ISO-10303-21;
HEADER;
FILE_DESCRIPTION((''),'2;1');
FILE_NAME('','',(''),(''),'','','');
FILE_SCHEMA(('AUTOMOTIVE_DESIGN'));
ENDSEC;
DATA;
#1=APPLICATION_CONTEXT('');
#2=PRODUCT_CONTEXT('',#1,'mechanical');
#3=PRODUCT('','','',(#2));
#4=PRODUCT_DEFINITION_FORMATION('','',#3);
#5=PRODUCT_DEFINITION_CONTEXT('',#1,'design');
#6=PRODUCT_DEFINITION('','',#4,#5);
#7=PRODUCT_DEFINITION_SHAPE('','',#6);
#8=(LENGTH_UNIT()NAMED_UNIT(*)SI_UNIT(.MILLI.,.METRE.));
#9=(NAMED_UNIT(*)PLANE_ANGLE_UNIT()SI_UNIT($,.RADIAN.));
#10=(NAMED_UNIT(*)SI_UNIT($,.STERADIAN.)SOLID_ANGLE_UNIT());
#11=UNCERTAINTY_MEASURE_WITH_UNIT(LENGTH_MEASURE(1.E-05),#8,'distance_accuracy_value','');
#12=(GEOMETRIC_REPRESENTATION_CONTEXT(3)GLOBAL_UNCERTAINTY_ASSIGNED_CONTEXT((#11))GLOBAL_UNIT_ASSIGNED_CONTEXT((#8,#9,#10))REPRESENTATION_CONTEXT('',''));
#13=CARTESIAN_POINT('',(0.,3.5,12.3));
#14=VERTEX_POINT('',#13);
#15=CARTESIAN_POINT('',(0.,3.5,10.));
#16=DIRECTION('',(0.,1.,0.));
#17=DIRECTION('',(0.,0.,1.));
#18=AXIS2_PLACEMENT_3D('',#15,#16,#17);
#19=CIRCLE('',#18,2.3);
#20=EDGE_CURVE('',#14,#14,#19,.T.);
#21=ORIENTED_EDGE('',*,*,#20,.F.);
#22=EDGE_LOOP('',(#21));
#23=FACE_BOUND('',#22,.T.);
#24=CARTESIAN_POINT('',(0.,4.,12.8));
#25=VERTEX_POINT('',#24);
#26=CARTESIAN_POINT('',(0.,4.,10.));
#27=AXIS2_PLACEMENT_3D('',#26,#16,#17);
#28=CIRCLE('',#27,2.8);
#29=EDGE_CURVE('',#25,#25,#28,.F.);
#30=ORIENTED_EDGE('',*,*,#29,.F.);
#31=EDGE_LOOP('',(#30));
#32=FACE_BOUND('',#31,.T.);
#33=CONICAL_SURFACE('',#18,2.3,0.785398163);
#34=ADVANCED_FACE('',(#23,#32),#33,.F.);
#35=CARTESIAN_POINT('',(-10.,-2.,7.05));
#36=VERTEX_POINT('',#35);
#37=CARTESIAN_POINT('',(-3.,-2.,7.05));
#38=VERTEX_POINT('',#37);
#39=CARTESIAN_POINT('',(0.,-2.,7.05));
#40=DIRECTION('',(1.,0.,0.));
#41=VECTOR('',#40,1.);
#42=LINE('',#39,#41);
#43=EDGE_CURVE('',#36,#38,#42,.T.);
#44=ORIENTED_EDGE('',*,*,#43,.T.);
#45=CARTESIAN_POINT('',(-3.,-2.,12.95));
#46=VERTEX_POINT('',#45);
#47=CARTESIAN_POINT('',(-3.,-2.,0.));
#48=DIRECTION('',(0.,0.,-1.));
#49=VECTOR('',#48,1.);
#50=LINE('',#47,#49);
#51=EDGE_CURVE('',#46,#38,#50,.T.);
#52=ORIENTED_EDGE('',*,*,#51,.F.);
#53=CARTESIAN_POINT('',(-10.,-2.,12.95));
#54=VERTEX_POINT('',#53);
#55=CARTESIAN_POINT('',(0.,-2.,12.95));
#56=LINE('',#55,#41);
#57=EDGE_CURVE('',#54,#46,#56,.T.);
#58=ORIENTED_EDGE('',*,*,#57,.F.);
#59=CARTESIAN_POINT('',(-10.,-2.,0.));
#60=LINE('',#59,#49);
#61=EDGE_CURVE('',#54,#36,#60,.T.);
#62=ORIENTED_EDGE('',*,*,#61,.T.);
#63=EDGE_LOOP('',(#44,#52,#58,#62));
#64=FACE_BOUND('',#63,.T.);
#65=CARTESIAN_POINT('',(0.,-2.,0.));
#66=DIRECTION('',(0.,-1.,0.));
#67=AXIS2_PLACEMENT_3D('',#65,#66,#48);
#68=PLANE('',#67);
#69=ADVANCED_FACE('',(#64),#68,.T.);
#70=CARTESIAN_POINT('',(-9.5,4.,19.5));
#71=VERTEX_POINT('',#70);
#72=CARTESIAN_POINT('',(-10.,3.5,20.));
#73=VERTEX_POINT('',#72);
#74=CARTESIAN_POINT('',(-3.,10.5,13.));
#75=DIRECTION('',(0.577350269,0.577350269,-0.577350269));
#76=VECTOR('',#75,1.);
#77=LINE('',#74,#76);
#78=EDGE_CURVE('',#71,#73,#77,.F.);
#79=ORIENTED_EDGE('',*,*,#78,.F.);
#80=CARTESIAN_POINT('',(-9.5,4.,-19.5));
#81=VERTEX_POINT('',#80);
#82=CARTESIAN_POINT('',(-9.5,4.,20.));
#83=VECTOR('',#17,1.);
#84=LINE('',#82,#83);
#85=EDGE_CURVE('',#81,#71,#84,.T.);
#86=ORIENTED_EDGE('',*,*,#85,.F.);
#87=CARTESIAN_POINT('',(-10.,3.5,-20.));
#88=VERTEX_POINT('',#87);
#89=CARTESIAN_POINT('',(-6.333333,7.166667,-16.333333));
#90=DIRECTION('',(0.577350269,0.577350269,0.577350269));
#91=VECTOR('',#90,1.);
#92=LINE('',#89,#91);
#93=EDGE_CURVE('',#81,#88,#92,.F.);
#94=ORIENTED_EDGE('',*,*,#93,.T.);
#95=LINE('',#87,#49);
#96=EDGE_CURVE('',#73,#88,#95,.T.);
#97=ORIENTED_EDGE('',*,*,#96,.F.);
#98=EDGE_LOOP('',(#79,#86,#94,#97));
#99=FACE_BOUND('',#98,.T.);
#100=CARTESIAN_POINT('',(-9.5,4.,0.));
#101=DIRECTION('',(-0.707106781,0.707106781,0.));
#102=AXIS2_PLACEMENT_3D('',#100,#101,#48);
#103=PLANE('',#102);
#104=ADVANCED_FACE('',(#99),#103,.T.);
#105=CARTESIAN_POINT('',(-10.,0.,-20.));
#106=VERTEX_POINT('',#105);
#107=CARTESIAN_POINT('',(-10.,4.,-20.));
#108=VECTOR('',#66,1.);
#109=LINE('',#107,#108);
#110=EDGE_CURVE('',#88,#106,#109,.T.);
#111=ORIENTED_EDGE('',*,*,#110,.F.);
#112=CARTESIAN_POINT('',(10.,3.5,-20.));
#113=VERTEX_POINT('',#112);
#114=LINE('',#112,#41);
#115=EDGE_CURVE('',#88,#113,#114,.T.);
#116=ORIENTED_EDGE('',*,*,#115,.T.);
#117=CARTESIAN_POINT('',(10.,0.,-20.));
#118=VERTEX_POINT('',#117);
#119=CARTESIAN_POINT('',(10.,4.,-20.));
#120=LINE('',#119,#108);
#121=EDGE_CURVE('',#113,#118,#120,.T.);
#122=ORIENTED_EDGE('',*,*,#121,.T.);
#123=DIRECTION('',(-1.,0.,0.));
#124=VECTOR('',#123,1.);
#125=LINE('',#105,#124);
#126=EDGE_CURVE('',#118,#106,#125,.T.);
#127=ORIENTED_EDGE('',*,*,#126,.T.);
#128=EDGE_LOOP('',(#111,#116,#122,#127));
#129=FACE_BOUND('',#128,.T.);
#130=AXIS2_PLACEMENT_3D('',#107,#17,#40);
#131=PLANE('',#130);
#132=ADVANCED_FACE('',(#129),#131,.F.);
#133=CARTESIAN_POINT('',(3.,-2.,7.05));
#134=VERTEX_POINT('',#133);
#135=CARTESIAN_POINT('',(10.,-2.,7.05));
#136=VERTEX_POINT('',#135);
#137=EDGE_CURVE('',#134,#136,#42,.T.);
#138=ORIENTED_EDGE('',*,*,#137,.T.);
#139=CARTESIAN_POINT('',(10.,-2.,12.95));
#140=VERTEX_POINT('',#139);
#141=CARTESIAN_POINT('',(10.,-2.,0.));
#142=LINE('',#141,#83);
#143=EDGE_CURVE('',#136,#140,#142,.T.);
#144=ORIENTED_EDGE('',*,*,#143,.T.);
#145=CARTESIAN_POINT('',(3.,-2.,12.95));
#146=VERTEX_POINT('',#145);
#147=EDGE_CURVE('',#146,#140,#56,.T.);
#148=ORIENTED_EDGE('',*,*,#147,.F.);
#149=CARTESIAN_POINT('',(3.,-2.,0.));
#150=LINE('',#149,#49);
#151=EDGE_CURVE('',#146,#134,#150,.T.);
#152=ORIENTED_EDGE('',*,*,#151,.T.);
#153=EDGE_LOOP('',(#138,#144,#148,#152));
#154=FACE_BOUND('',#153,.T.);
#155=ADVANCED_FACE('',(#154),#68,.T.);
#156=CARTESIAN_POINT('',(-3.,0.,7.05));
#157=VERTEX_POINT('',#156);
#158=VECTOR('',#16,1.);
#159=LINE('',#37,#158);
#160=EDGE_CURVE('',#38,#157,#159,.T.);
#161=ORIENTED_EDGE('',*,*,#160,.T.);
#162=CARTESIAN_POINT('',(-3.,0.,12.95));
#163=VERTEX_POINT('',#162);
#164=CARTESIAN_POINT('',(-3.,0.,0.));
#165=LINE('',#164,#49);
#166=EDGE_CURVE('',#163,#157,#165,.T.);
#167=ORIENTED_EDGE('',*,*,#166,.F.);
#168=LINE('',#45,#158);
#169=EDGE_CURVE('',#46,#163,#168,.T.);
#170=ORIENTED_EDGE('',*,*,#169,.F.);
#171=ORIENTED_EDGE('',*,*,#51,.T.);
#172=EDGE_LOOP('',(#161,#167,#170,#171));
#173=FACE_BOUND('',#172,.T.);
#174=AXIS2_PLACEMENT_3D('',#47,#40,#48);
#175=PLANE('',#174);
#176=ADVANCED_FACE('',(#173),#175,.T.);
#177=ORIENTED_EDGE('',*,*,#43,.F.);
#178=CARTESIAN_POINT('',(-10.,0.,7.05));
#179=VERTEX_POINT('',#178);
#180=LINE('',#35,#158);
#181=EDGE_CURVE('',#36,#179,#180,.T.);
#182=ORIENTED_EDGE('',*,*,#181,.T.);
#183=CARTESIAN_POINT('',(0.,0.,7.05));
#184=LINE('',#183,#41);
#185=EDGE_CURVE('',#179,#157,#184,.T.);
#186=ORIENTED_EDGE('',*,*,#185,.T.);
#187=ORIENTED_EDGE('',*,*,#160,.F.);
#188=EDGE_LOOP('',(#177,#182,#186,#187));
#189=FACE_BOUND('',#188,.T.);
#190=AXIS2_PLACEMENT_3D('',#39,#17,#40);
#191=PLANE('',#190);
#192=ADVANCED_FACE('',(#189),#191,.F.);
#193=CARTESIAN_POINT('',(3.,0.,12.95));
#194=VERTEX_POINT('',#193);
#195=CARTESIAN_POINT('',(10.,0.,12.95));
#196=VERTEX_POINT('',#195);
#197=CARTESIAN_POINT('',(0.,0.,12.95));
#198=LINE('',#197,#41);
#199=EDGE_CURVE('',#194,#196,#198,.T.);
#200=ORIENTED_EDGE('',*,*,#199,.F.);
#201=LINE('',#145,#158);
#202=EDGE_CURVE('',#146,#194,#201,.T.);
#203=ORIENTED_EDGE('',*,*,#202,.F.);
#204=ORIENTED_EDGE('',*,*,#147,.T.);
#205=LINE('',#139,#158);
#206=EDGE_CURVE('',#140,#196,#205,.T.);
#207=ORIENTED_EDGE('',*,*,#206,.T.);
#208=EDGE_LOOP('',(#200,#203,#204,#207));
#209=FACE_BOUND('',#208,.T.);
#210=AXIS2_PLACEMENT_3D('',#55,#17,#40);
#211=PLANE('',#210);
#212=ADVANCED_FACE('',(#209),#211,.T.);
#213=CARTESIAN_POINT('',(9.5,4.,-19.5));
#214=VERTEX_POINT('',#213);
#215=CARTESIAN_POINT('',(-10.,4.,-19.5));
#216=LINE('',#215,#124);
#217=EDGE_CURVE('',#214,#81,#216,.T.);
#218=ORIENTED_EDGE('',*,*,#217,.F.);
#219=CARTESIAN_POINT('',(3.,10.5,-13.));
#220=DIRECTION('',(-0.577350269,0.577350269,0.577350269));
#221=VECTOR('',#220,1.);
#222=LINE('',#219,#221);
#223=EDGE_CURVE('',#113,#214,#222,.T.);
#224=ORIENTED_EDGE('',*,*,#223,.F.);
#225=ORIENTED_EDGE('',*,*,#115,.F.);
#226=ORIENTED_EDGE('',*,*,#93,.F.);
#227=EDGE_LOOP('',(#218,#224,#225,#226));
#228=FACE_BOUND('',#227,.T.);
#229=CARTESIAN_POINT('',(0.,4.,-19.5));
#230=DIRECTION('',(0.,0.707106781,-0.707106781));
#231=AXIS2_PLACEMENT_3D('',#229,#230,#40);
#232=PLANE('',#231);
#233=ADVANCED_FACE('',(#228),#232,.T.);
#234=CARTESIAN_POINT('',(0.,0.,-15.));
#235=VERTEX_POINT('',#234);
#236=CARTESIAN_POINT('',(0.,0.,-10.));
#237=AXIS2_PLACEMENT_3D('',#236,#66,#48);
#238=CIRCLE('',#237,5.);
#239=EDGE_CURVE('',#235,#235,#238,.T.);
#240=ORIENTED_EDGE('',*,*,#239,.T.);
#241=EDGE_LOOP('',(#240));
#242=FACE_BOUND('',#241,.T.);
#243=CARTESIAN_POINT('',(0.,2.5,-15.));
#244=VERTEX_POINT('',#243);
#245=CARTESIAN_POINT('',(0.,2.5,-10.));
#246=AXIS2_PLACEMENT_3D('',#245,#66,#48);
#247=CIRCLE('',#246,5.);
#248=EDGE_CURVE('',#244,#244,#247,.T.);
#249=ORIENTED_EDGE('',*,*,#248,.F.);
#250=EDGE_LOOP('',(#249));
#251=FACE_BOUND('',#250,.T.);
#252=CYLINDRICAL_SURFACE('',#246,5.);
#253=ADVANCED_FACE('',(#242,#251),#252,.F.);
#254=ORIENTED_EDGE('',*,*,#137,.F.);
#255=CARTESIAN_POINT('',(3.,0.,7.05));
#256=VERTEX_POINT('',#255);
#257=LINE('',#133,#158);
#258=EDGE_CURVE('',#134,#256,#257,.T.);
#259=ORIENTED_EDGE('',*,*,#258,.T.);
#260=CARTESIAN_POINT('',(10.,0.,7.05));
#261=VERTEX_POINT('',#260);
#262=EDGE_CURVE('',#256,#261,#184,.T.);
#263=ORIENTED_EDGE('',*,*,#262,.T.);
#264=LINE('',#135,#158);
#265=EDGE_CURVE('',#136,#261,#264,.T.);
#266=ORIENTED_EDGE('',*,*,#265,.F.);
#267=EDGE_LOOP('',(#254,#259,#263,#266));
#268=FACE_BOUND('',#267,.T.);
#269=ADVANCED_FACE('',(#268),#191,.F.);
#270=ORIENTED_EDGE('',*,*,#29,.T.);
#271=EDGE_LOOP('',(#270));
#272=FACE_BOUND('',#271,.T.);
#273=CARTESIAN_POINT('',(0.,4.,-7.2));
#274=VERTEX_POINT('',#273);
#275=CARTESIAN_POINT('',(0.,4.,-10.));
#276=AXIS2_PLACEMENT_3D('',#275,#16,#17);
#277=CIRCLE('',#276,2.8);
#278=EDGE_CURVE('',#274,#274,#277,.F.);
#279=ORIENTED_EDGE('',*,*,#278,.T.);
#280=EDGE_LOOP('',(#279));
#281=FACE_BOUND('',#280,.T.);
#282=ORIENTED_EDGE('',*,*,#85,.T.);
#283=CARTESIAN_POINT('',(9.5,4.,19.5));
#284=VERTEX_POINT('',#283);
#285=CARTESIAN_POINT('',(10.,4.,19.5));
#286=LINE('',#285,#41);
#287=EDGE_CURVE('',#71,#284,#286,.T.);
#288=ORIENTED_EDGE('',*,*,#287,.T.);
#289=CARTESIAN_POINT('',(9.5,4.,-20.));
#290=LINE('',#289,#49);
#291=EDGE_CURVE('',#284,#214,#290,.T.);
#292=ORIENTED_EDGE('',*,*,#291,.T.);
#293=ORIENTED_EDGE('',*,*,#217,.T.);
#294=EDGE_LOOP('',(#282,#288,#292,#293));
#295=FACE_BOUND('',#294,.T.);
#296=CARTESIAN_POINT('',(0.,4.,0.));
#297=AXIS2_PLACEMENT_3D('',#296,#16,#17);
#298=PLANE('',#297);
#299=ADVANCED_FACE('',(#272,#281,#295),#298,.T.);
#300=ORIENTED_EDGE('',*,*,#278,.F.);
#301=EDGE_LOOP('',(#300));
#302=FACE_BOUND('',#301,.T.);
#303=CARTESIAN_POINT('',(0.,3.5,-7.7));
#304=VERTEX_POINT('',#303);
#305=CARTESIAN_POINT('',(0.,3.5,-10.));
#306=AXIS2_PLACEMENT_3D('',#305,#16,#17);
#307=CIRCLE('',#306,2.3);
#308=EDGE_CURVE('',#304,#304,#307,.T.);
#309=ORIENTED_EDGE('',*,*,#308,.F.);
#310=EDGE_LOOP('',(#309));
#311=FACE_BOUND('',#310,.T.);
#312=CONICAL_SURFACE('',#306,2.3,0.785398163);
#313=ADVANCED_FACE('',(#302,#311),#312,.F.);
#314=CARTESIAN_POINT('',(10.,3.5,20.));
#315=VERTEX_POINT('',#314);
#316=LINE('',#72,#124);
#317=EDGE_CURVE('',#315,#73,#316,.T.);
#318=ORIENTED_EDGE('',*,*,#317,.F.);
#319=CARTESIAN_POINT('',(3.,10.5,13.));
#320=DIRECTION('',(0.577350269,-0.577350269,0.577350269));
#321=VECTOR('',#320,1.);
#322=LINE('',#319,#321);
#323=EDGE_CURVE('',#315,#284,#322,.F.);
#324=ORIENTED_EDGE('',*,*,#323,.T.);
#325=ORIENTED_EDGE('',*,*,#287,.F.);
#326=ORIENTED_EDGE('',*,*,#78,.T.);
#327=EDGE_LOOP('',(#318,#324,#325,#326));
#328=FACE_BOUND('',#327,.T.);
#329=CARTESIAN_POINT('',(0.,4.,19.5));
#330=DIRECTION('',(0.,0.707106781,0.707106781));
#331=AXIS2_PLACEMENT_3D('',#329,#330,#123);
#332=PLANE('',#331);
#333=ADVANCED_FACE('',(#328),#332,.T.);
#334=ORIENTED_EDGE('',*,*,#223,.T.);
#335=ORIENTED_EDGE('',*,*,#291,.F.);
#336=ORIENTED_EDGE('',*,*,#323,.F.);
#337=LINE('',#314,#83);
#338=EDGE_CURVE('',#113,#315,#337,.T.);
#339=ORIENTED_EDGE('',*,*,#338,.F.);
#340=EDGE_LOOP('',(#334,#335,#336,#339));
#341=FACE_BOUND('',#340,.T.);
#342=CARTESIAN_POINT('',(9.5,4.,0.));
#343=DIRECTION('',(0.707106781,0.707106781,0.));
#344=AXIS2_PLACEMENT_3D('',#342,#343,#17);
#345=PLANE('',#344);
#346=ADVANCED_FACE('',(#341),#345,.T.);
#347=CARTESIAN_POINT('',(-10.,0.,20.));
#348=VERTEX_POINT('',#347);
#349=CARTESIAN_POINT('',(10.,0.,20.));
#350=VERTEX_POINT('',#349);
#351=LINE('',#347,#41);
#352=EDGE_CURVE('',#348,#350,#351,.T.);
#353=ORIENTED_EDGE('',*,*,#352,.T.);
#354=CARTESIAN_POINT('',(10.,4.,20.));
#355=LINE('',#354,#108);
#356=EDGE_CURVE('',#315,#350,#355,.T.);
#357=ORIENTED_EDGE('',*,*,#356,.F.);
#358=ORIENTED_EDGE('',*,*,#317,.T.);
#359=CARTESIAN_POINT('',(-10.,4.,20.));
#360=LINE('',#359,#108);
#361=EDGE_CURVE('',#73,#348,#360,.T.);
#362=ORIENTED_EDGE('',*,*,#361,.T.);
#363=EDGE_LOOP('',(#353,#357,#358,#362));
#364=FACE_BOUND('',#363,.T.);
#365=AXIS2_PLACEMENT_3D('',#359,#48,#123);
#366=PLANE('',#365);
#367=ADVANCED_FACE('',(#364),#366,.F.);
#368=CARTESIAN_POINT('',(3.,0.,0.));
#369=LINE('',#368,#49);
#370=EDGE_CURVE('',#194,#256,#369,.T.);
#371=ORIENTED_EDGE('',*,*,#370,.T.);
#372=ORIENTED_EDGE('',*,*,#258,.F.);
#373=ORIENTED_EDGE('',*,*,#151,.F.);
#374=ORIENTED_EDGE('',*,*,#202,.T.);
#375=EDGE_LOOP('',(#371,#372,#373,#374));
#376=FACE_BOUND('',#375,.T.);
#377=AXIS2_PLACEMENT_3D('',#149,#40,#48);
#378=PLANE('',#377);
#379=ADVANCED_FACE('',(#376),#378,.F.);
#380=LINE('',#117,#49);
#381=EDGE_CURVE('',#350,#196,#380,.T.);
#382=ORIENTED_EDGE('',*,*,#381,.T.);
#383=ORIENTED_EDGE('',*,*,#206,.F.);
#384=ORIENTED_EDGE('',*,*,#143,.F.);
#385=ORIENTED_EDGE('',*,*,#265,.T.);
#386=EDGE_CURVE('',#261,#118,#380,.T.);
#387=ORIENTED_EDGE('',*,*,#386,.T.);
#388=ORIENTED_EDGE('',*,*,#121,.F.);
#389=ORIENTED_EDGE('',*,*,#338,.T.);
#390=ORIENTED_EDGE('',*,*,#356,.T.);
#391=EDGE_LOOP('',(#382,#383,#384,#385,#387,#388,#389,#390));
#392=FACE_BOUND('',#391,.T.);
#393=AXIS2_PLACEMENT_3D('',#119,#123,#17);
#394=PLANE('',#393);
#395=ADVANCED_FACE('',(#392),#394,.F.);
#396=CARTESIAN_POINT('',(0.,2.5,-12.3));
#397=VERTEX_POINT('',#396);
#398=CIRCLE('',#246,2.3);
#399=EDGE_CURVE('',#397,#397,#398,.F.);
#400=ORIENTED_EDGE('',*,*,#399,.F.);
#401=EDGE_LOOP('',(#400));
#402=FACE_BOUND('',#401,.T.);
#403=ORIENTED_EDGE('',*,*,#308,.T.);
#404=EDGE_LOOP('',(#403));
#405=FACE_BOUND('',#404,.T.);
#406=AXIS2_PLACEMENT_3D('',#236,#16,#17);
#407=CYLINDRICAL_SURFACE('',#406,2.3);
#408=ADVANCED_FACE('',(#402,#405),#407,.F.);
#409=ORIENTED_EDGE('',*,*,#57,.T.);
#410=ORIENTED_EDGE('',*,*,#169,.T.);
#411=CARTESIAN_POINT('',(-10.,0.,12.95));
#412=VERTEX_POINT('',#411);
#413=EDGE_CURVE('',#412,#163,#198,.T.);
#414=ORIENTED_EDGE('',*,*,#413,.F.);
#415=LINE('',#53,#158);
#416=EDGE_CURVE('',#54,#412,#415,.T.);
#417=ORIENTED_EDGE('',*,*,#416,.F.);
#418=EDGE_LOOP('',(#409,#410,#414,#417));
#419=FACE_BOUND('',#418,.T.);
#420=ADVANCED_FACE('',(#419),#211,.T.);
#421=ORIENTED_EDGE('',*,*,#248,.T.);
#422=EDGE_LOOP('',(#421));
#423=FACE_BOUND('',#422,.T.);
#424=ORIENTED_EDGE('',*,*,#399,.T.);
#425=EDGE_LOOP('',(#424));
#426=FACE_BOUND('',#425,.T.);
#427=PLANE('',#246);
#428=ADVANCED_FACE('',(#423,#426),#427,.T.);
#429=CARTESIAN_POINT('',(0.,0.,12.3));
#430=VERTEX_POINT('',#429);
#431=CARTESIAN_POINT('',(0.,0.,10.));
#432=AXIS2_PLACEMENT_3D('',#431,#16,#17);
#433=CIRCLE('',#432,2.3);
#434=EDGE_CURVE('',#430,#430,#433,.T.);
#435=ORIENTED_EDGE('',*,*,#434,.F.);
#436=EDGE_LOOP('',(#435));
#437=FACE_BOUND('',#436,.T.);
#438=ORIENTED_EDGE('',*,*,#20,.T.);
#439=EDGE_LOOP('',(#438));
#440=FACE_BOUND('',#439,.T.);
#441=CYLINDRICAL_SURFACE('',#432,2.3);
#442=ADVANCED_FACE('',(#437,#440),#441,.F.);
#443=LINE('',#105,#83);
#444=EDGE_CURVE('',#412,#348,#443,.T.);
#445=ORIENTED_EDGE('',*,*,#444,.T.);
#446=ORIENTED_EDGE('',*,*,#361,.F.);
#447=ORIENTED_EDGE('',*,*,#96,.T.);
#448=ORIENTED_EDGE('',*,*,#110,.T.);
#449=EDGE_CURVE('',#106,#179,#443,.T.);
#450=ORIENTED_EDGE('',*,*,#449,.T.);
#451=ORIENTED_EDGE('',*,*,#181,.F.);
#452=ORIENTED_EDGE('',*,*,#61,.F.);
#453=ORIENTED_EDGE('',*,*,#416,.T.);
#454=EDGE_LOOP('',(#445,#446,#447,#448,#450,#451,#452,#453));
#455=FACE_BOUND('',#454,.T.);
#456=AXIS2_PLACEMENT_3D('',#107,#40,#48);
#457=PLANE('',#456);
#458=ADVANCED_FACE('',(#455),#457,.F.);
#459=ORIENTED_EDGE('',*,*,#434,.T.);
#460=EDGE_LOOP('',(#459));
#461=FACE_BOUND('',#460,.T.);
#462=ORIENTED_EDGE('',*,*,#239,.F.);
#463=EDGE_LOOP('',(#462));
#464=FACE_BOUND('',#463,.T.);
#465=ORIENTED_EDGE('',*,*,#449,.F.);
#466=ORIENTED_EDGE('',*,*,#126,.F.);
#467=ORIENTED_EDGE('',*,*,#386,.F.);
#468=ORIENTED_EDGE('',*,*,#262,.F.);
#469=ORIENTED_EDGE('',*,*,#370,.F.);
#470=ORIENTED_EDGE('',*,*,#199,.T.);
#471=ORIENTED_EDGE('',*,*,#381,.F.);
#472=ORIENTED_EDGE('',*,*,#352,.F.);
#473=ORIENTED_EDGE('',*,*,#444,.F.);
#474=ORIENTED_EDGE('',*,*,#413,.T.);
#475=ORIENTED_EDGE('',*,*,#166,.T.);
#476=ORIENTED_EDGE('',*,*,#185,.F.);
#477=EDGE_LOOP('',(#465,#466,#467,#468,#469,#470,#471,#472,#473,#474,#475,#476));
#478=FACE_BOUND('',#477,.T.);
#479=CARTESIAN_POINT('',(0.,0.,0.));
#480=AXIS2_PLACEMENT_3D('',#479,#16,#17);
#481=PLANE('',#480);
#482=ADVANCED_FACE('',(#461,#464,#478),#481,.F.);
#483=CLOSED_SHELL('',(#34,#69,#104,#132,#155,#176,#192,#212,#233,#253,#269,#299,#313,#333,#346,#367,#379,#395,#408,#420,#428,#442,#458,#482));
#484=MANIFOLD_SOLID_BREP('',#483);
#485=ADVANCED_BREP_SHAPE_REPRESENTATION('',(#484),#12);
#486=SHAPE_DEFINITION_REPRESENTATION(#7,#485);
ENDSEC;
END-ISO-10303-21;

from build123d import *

# Parameters (mm, degrees)
ESBO_O1_W                  = 20
ESBO_O1_H                  = 40
RESSALTO_EXTRUS_O1_DEPTH   = 4
ESBO_O2_R                  = 2.3
CORTE_EXTRUS_O1_DEPTH      = 1
CORTE_EXTRUS_O1_DEPTH_BACK = 5
ESBO_O3_W                  = 7
ESBO_O3_H                  = 5.9
RESSALTO_EXTRUS_O2_DEPTH   = 2
CHANFRO1_SIZE              = 0.5
ESBO_O4_R                  = 5
CORTE_EXTRUS_O2_DEPTH      = 2.5


with BuildPart() as part:
    # Esboço1 → Ressalto-extrusão1 (new body)
    with BuildSketch(Plane(origin=(0, 0, 0), x_dir=(1, 0, 0), z_dir=(0, 1, 0))):
        Rectangle(ESBO_O1_W, ESBO_O1_H)
    extrude(amount=RESSALTO_EXTRUS_O1_DEPTH)

    # Esboço2 → Corte-extrusão1 (cut, two sides)
    with BuildSketch(Plane(origin=(0, 4, 0), x_dir=(1, 0, 0), z_dir=(0, 1, 0))) as corte_extrus_o1_sk:
        with Locations((0, 10)):
            Circle(ESBO_O2_R)
        with Locations((0, -10)):
            Circle(ESBO_O2_R)
    extrude(amount=CORTE_EXTRUS_O1_DEPTH, mode=Mode.SUBTRACT)
    extrude(corte_extrus_o1_sk.sketch, amount=-CORTE_EXTRUS_O1_DEPTH_BACK, mode=Mode.SUBTRACT)

    # Esboço3 → Ressalto-extrusão2 (add)
    with BuildSketch(Plane.XZ):
        with Locations((6.5, 10)):
            Rectangle(ESBO_O3_W, ESBO_O3_H)
        with Locations((-6.5, 10)):
            Rectangle(ESBO_O3_W, ESBO_O3_H)
    extrude(amount=RESSALTO_EXTRUS_O2_DEPTH)

    # Chanfro1
    chanfro1_edges = [part.edges().sort_by_distance(p)[0] for p in [
        (-10, 4, 0),
        (0, 4, 20),
        (-2.3, 4, -10),
        (-2.3, 4, 10),
        (10, 4, 0),
        (0, 4, -20),
    ]]
    chamfer(chanfro1_edges, length=CHANFRO1_SIZE)

    # Esboço4 → Corte-extrusão2 (cut)
    with BuildSketch(Plane.XZ):
        with Locations((0, -10)):
            Circle(ESBO_O4_R)
    extrude(amount=-CORTE_EXTRUS_O2_DEPTH, mode=Mode.SUBTRACT)


solid = part.part
